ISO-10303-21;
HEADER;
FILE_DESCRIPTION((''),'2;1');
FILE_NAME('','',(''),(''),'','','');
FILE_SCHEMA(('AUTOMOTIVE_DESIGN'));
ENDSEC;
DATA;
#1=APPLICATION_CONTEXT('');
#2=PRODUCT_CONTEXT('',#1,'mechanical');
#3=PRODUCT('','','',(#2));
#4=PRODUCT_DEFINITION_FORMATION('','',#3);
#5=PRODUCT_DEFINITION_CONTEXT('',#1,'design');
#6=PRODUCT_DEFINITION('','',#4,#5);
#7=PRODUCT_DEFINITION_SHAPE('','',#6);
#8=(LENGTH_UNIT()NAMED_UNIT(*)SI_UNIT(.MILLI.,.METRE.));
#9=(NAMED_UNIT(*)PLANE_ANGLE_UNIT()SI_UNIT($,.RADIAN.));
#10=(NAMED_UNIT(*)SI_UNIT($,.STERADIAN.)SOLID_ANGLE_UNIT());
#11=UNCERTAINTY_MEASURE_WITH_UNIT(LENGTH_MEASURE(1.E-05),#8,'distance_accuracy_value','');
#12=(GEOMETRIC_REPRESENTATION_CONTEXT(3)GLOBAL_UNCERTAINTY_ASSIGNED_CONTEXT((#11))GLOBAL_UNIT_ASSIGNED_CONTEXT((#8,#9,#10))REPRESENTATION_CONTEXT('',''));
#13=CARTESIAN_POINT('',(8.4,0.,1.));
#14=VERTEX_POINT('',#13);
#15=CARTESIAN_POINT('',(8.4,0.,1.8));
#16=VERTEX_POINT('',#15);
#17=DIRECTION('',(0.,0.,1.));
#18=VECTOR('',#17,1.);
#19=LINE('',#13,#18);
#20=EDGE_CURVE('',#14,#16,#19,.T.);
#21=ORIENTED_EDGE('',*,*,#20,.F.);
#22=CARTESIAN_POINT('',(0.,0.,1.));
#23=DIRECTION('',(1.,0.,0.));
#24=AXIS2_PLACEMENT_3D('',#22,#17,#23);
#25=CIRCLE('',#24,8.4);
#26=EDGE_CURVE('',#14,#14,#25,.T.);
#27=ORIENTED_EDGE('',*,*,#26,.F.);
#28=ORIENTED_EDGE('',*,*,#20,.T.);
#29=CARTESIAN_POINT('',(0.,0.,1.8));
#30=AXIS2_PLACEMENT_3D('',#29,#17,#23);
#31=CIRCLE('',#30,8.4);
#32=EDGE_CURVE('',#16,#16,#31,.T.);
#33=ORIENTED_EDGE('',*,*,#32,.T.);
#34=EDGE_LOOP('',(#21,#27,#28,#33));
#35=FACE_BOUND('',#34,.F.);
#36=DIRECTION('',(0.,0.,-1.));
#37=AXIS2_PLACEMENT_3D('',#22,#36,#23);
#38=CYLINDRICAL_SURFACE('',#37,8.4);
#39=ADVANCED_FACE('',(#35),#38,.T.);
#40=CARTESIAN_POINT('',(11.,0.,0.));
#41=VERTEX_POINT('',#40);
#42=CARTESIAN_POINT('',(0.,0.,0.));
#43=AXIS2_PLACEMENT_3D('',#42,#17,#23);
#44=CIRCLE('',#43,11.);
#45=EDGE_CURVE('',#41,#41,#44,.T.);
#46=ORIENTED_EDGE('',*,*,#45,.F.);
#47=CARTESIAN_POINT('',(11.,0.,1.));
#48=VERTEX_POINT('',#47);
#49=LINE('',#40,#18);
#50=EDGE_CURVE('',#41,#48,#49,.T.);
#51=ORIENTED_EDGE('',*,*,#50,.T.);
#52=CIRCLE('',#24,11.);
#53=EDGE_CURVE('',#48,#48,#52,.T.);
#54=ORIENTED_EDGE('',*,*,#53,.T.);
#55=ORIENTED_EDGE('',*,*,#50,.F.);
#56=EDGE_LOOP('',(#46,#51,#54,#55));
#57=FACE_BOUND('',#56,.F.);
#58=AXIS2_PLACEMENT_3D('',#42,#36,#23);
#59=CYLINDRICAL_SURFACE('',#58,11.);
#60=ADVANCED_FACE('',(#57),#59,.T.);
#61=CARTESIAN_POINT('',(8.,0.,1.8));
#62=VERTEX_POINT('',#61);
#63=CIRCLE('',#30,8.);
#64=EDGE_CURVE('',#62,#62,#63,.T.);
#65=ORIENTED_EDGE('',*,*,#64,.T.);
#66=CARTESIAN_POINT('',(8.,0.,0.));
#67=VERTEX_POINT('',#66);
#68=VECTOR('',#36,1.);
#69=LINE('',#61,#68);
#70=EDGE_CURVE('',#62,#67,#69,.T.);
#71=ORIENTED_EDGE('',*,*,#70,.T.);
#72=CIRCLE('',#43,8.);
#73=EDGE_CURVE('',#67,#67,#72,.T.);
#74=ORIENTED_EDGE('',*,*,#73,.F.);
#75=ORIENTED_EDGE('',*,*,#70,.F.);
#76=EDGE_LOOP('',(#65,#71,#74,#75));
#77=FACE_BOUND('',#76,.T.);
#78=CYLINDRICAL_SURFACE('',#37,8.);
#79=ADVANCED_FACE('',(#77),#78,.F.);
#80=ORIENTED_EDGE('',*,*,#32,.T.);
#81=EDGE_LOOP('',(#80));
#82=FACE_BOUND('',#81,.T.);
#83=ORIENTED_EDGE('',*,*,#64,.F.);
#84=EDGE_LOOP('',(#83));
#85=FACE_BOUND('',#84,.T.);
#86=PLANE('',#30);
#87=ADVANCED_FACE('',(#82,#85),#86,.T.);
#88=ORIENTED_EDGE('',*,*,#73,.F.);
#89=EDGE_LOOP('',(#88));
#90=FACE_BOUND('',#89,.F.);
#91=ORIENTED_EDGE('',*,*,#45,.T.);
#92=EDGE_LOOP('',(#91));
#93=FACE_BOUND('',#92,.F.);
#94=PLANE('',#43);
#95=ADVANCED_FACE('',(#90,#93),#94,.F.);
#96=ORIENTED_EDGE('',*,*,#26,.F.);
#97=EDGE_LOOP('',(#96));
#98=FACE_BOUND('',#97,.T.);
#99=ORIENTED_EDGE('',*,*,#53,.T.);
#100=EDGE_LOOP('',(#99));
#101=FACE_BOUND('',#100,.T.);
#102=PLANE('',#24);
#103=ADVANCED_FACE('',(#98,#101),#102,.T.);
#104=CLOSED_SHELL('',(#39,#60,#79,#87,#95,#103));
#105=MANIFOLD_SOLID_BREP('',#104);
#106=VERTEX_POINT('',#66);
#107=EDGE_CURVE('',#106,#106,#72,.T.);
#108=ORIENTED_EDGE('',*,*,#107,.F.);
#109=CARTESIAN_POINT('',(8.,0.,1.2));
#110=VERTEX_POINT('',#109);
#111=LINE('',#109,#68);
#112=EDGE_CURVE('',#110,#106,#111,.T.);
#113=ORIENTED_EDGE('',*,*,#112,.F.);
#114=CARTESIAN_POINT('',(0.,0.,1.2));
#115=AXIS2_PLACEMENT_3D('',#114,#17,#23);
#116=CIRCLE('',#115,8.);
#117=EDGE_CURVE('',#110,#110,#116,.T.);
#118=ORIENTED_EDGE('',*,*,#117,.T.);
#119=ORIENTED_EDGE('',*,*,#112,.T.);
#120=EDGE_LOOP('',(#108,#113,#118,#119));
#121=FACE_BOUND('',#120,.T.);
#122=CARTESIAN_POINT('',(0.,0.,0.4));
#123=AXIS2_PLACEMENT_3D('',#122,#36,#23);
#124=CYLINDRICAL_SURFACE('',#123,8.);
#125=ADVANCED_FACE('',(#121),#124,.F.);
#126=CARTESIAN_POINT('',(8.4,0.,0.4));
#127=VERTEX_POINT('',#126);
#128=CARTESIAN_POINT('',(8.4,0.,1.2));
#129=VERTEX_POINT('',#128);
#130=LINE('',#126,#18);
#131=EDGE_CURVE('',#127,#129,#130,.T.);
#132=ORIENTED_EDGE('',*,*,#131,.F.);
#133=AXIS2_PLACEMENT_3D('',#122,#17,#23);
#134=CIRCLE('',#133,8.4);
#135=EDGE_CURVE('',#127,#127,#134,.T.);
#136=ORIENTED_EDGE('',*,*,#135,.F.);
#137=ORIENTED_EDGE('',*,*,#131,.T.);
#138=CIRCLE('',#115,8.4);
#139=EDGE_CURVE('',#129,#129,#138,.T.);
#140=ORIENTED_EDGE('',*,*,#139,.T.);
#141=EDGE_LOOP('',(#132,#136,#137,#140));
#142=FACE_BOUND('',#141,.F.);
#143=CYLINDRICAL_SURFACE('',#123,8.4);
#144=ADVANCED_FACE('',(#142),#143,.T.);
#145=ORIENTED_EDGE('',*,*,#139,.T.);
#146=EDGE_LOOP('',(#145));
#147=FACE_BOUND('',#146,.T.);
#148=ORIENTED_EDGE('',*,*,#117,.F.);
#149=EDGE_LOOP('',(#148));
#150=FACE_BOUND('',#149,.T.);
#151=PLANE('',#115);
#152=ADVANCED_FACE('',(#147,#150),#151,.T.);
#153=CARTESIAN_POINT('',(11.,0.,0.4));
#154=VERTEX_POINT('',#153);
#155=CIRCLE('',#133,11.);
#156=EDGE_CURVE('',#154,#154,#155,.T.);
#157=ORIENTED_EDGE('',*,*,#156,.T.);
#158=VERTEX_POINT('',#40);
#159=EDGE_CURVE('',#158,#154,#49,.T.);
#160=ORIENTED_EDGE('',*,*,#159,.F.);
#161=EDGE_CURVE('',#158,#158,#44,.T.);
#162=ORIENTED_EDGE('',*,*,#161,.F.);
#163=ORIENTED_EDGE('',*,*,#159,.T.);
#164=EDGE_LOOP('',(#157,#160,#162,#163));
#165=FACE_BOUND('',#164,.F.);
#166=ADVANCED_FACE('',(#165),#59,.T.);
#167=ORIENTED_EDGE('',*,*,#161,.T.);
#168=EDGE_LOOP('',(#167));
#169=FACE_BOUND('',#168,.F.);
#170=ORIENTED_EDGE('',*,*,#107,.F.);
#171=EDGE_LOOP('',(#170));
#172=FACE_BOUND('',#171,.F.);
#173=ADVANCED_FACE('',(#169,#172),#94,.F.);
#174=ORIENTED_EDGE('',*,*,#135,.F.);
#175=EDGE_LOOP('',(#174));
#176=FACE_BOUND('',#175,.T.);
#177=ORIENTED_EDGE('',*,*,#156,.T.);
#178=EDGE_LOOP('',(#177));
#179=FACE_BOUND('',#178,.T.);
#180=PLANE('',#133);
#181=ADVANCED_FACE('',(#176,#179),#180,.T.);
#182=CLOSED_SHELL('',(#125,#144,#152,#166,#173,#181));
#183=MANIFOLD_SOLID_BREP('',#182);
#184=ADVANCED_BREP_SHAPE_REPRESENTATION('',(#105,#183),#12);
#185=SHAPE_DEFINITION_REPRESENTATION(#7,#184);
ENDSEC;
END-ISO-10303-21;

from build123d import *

# Parameters (mm, degrees)
SKETCH_R      = 11
SKETCH_R_2    = 8
PAD_DEPTH     = 1
SKETCH001_R   = 8.4
SKETCH001_R_2 = 8
PAD001_DEPTH  = 0.8
SKETCH002_R   = 11
SKETCH002_R_2 = 8
PAD002_DEPTH  = 0.4
SKETCH003_R   = 8.4
SKETCH003_R_2 = 8
PAD003_DEPTH  = 0.8


with BuildPart() as switchinsulatorbody:
    # Sketch → Pad (new body)
    with BuildSketch(Plane.XY):
        Circle(SKETCH_R)
        Circle(SKETCH_R_2, mode=Mode.SUBTRACT)
    extrude(amount=PAD_DEPTH)

    # Sketch001 (on Face4 of Pad) → Pad001 (join)
    with BuildSketch(Plane.XY.offset(1)):
        Circle(SKETCH001_R)
        Circle(SKETCH001_R_2, mode=Mode.SUBTRACT)
    extrude(amount=PAD001_DEPTH)


with BuildPart() as switchinsulatorbody001:
    # Sketch002 → Pad002 (new body)
    with BuildSketch(Plane.XY):
        Circle(SKETCH002_R)
        Circle(SKETCH002_R_2, mode=Mode.SUBTRACT)
    extrude(amount=PAD002_DEPTH)

    # Sketch003 (on Face4 of Pad002) → Pad003 (join)
    with BuildSketch(Plane.XY.offset(0.4)):
        Circle(SKETCH003_R)
        Circle(SKETCH003_R_2, mode=Mode.SUBTRACT)
    extrude(amount=PAD003_DEPTH)


solid = Compound([switchinsulatorbody.part, switchinsulatorbody001.part])
